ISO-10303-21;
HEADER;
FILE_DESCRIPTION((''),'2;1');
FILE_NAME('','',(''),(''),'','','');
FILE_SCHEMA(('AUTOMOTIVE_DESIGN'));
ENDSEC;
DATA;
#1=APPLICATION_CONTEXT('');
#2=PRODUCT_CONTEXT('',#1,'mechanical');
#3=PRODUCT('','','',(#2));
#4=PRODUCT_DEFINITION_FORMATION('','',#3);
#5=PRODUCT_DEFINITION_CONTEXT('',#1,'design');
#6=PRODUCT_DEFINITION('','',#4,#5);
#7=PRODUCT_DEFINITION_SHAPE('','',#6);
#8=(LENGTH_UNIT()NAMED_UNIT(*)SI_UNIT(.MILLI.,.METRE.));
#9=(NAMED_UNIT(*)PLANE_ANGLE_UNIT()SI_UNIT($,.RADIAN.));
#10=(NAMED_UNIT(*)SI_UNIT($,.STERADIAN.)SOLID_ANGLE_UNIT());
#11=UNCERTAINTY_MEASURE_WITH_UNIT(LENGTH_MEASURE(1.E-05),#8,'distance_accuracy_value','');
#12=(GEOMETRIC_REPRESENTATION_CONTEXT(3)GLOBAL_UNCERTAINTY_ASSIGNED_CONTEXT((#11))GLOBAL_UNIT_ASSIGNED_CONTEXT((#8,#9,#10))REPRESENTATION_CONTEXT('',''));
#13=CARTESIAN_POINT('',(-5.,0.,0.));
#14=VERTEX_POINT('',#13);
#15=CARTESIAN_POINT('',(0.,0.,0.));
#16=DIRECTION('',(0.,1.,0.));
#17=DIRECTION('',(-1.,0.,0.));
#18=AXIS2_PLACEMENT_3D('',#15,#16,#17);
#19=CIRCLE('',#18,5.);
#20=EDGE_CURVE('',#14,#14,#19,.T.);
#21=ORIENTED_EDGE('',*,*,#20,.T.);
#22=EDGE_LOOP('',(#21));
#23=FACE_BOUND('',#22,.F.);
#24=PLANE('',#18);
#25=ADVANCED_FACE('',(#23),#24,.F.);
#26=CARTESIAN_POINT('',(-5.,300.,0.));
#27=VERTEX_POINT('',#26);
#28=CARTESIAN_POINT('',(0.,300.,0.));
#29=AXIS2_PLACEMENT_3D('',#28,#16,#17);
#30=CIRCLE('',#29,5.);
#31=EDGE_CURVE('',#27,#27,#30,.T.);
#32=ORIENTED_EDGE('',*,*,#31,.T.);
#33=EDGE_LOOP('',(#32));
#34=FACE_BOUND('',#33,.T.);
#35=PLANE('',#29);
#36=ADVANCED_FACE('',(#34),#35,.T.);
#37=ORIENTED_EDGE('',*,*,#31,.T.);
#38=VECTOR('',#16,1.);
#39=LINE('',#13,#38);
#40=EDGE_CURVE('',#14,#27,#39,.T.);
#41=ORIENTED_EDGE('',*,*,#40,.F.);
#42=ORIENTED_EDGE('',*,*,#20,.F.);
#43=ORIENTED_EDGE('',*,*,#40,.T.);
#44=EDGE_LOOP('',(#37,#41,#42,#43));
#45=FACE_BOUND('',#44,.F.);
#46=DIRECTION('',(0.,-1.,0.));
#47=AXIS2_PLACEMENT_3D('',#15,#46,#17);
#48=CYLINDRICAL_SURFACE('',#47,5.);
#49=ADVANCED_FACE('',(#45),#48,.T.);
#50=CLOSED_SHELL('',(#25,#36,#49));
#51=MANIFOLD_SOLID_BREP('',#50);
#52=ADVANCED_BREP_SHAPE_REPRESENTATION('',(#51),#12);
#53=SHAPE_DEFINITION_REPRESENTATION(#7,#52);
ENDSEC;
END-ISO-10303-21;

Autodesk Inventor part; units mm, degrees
ref_plane "YZ Plane" through (0, 0, 0) normal (1, 0, 0) x (0, 1, 0)
ref_plane "XZ Plane" through (0, 0, 0) normal (0, 1, 0) x (-1, 0, 0)
ref_plane "XY Plane" through (0, 0, 0) normal (0, 0, 1) x (1, 0, 0)
sketch "Sketch1" plane through (0, 0, 0) normal (0, 1, 0) x (-1, 0, 0)
  circle A0 centre (0, 0) radius 5
  dimension "d0" = 10
extrude "Extrusion1" add sketch "Sketch1" along normal blind 300
properties part number "Rod_400x10_V1" material "Steel, Cast"
